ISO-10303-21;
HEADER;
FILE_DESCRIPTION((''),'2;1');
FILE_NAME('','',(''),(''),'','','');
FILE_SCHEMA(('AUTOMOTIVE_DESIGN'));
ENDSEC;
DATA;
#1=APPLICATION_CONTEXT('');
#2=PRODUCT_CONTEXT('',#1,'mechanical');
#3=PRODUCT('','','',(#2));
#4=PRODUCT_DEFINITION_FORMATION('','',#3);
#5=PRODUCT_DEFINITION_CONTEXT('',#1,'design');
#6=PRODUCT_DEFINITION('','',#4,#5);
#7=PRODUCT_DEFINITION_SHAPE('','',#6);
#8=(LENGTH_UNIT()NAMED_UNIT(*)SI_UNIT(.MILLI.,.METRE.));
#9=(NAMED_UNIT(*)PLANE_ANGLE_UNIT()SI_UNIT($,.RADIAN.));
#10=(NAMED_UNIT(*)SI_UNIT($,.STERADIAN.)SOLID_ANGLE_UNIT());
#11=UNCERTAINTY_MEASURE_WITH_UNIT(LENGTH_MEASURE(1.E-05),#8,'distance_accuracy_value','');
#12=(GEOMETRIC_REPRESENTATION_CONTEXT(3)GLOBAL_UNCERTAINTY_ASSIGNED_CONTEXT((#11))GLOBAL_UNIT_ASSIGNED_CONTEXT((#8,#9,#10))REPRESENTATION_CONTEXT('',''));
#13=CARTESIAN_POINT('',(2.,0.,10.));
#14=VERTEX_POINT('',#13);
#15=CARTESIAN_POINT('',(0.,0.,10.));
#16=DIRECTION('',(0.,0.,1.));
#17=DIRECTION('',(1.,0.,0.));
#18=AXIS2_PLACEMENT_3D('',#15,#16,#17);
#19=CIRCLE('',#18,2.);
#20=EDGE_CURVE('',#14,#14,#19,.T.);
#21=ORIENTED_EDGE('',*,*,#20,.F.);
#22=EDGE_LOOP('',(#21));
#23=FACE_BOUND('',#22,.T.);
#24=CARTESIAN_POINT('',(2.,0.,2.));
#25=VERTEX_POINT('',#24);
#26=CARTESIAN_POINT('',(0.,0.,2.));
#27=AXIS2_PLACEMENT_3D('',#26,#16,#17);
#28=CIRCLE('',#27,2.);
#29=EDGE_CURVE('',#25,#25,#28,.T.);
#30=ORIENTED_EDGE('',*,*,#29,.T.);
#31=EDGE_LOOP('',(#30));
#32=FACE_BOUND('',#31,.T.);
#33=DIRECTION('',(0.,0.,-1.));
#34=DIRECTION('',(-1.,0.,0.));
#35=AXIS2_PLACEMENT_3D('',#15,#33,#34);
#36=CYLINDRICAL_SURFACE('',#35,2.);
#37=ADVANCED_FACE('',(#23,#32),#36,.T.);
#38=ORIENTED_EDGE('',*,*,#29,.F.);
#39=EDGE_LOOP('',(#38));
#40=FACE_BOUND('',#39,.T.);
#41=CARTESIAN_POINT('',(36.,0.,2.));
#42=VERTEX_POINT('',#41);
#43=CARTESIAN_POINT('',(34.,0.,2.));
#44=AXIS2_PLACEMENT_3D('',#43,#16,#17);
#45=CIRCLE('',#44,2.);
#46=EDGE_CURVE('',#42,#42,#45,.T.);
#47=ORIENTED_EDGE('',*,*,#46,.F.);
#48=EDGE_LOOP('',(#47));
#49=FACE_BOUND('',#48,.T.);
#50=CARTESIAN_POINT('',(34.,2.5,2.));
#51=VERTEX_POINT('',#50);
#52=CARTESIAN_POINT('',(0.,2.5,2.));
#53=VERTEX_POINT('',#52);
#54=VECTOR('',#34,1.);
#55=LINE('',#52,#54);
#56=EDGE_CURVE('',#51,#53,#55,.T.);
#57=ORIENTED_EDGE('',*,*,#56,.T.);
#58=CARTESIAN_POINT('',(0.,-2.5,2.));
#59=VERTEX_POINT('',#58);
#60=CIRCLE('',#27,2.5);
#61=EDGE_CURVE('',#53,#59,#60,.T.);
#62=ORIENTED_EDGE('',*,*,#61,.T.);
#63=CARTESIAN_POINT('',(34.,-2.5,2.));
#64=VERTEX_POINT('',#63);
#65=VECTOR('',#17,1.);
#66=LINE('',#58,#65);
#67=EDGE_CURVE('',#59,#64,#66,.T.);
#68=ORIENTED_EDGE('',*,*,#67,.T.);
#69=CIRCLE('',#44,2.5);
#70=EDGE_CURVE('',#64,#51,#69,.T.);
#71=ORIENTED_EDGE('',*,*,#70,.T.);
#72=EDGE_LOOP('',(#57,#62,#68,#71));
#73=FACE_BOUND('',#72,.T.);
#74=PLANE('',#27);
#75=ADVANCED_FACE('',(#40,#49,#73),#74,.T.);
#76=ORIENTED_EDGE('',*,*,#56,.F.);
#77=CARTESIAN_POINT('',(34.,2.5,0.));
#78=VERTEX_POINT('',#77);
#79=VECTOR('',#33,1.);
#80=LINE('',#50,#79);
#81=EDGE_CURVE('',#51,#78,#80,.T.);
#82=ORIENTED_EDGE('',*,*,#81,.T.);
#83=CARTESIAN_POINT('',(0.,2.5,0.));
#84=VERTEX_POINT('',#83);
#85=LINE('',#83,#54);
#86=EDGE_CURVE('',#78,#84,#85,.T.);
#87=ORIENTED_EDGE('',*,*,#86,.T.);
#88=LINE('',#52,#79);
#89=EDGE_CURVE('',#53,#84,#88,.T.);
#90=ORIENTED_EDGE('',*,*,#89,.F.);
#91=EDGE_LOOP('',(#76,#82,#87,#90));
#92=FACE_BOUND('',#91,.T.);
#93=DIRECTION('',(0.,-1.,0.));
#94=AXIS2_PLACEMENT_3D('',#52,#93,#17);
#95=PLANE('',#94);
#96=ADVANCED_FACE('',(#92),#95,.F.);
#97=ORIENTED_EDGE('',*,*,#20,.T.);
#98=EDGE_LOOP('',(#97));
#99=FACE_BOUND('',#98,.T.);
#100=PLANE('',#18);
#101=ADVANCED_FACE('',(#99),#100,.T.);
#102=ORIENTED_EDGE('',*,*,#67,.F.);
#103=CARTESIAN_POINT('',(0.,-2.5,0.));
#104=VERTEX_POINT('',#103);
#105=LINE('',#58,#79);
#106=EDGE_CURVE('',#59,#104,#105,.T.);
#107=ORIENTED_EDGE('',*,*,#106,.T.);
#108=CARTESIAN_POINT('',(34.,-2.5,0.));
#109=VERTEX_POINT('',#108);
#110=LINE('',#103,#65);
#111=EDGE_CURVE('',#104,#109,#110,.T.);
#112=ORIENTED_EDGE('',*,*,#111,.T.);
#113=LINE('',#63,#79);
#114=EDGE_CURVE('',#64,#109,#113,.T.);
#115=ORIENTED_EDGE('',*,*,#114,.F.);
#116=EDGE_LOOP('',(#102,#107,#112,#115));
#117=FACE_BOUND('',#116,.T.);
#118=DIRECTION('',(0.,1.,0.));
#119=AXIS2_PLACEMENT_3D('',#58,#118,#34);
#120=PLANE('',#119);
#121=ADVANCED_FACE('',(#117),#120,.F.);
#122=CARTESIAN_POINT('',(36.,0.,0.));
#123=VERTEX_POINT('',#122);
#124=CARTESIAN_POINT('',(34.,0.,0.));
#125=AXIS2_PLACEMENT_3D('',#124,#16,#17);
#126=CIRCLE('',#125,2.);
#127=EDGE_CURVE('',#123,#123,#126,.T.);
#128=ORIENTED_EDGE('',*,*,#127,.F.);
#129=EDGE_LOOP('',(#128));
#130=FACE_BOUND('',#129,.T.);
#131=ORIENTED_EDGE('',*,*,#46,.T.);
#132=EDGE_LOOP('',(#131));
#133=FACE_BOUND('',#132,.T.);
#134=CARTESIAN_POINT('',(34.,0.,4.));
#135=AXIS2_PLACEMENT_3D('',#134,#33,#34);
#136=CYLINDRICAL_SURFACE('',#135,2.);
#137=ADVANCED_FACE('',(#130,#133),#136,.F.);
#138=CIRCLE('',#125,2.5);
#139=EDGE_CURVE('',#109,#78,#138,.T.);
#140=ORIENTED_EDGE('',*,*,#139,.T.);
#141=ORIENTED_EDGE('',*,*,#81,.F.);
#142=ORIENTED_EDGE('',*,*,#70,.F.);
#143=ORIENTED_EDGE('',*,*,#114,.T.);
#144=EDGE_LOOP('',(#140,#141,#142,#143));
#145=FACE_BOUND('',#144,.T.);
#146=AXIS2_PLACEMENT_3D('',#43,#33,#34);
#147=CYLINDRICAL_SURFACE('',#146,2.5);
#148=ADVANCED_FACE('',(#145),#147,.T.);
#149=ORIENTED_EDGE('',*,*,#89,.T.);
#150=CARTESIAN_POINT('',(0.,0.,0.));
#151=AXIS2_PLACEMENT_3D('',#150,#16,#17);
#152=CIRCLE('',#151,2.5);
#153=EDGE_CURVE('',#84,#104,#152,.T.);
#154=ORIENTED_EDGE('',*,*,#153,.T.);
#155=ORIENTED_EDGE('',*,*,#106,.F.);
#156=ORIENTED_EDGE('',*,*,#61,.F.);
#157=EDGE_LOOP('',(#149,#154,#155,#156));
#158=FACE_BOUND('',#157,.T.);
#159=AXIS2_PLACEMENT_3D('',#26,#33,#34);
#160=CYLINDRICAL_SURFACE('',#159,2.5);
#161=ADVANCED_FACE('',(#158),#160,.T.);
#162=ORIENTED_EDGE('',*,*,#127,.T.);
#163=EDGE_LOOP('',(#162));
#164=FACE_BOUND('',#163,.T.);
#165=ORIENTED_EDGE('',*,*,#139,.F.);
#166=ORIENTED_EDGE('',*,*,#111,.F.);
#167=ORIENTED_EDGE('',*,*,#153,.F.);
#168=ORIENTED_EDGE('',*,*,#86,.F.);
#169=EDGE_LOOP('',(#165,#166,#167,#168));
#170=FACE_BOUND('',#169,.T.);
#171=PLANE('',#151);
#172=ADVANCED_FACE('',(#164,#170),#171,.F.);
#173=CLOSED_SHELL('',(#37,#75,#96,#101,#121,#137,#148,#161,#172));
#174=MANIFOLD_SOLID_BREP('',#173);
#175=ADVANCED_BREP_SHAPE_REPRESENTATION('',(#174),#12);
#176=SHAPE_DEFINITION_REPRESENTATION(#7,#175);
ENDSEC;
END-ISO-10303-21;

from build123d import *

# Parameters (mm, degrees)
BOSS_EXTRUDE1_DEPTH = 2
SKETCH2_R           = 2
BOSS_EXTRUDE2_DEPTH = 8
SKETCH5_R           = 2
CUT_EXTRUDE2_DEPTH  = 4


with BuildPart() as part:
    # Sketch1 → Boss-Extrude1 (new body)
    with BuildSketch(Plane.XY):
        with BuildLine():
            Line((0, -2.5), (34, -2.5))
            ThreePointArc((34, -2.5), (36.5, 0), (34, 2.5))
            Line((34, 2.5), (0, 2.5))
            ThreePointArc((0, 2.5), (-2.5, 0), (0, -2.5))
        make_face()
    extrude(amount=BOSS_EXTRUDE1_DEPTH)

    # Sketch2 → Boss-Extrude2 (add)
    with BuildSketch(Plane.XY.offset(2)):
        Circle(SKETCH2_R)
    extrude(amount=BOSS_EXTRUDE2_DEPTH)

    # Sketch5 → Cut-Extrude2 (cut, symmetric)
    with BuildSketch(Plane(origin=(0, 0, 0), x_dir=(-1, 0, 0), z_dir=(0, 0, -1))):
        with Locations(Location((-34, 0, 0), (0, 0, 180))):
            Circle(SKETCH5_R)
    extrude(amount=CUT_EXTRUDE2_DEPTH, both=True, mode=Mode.SUBTRACT)


solid = part.part
